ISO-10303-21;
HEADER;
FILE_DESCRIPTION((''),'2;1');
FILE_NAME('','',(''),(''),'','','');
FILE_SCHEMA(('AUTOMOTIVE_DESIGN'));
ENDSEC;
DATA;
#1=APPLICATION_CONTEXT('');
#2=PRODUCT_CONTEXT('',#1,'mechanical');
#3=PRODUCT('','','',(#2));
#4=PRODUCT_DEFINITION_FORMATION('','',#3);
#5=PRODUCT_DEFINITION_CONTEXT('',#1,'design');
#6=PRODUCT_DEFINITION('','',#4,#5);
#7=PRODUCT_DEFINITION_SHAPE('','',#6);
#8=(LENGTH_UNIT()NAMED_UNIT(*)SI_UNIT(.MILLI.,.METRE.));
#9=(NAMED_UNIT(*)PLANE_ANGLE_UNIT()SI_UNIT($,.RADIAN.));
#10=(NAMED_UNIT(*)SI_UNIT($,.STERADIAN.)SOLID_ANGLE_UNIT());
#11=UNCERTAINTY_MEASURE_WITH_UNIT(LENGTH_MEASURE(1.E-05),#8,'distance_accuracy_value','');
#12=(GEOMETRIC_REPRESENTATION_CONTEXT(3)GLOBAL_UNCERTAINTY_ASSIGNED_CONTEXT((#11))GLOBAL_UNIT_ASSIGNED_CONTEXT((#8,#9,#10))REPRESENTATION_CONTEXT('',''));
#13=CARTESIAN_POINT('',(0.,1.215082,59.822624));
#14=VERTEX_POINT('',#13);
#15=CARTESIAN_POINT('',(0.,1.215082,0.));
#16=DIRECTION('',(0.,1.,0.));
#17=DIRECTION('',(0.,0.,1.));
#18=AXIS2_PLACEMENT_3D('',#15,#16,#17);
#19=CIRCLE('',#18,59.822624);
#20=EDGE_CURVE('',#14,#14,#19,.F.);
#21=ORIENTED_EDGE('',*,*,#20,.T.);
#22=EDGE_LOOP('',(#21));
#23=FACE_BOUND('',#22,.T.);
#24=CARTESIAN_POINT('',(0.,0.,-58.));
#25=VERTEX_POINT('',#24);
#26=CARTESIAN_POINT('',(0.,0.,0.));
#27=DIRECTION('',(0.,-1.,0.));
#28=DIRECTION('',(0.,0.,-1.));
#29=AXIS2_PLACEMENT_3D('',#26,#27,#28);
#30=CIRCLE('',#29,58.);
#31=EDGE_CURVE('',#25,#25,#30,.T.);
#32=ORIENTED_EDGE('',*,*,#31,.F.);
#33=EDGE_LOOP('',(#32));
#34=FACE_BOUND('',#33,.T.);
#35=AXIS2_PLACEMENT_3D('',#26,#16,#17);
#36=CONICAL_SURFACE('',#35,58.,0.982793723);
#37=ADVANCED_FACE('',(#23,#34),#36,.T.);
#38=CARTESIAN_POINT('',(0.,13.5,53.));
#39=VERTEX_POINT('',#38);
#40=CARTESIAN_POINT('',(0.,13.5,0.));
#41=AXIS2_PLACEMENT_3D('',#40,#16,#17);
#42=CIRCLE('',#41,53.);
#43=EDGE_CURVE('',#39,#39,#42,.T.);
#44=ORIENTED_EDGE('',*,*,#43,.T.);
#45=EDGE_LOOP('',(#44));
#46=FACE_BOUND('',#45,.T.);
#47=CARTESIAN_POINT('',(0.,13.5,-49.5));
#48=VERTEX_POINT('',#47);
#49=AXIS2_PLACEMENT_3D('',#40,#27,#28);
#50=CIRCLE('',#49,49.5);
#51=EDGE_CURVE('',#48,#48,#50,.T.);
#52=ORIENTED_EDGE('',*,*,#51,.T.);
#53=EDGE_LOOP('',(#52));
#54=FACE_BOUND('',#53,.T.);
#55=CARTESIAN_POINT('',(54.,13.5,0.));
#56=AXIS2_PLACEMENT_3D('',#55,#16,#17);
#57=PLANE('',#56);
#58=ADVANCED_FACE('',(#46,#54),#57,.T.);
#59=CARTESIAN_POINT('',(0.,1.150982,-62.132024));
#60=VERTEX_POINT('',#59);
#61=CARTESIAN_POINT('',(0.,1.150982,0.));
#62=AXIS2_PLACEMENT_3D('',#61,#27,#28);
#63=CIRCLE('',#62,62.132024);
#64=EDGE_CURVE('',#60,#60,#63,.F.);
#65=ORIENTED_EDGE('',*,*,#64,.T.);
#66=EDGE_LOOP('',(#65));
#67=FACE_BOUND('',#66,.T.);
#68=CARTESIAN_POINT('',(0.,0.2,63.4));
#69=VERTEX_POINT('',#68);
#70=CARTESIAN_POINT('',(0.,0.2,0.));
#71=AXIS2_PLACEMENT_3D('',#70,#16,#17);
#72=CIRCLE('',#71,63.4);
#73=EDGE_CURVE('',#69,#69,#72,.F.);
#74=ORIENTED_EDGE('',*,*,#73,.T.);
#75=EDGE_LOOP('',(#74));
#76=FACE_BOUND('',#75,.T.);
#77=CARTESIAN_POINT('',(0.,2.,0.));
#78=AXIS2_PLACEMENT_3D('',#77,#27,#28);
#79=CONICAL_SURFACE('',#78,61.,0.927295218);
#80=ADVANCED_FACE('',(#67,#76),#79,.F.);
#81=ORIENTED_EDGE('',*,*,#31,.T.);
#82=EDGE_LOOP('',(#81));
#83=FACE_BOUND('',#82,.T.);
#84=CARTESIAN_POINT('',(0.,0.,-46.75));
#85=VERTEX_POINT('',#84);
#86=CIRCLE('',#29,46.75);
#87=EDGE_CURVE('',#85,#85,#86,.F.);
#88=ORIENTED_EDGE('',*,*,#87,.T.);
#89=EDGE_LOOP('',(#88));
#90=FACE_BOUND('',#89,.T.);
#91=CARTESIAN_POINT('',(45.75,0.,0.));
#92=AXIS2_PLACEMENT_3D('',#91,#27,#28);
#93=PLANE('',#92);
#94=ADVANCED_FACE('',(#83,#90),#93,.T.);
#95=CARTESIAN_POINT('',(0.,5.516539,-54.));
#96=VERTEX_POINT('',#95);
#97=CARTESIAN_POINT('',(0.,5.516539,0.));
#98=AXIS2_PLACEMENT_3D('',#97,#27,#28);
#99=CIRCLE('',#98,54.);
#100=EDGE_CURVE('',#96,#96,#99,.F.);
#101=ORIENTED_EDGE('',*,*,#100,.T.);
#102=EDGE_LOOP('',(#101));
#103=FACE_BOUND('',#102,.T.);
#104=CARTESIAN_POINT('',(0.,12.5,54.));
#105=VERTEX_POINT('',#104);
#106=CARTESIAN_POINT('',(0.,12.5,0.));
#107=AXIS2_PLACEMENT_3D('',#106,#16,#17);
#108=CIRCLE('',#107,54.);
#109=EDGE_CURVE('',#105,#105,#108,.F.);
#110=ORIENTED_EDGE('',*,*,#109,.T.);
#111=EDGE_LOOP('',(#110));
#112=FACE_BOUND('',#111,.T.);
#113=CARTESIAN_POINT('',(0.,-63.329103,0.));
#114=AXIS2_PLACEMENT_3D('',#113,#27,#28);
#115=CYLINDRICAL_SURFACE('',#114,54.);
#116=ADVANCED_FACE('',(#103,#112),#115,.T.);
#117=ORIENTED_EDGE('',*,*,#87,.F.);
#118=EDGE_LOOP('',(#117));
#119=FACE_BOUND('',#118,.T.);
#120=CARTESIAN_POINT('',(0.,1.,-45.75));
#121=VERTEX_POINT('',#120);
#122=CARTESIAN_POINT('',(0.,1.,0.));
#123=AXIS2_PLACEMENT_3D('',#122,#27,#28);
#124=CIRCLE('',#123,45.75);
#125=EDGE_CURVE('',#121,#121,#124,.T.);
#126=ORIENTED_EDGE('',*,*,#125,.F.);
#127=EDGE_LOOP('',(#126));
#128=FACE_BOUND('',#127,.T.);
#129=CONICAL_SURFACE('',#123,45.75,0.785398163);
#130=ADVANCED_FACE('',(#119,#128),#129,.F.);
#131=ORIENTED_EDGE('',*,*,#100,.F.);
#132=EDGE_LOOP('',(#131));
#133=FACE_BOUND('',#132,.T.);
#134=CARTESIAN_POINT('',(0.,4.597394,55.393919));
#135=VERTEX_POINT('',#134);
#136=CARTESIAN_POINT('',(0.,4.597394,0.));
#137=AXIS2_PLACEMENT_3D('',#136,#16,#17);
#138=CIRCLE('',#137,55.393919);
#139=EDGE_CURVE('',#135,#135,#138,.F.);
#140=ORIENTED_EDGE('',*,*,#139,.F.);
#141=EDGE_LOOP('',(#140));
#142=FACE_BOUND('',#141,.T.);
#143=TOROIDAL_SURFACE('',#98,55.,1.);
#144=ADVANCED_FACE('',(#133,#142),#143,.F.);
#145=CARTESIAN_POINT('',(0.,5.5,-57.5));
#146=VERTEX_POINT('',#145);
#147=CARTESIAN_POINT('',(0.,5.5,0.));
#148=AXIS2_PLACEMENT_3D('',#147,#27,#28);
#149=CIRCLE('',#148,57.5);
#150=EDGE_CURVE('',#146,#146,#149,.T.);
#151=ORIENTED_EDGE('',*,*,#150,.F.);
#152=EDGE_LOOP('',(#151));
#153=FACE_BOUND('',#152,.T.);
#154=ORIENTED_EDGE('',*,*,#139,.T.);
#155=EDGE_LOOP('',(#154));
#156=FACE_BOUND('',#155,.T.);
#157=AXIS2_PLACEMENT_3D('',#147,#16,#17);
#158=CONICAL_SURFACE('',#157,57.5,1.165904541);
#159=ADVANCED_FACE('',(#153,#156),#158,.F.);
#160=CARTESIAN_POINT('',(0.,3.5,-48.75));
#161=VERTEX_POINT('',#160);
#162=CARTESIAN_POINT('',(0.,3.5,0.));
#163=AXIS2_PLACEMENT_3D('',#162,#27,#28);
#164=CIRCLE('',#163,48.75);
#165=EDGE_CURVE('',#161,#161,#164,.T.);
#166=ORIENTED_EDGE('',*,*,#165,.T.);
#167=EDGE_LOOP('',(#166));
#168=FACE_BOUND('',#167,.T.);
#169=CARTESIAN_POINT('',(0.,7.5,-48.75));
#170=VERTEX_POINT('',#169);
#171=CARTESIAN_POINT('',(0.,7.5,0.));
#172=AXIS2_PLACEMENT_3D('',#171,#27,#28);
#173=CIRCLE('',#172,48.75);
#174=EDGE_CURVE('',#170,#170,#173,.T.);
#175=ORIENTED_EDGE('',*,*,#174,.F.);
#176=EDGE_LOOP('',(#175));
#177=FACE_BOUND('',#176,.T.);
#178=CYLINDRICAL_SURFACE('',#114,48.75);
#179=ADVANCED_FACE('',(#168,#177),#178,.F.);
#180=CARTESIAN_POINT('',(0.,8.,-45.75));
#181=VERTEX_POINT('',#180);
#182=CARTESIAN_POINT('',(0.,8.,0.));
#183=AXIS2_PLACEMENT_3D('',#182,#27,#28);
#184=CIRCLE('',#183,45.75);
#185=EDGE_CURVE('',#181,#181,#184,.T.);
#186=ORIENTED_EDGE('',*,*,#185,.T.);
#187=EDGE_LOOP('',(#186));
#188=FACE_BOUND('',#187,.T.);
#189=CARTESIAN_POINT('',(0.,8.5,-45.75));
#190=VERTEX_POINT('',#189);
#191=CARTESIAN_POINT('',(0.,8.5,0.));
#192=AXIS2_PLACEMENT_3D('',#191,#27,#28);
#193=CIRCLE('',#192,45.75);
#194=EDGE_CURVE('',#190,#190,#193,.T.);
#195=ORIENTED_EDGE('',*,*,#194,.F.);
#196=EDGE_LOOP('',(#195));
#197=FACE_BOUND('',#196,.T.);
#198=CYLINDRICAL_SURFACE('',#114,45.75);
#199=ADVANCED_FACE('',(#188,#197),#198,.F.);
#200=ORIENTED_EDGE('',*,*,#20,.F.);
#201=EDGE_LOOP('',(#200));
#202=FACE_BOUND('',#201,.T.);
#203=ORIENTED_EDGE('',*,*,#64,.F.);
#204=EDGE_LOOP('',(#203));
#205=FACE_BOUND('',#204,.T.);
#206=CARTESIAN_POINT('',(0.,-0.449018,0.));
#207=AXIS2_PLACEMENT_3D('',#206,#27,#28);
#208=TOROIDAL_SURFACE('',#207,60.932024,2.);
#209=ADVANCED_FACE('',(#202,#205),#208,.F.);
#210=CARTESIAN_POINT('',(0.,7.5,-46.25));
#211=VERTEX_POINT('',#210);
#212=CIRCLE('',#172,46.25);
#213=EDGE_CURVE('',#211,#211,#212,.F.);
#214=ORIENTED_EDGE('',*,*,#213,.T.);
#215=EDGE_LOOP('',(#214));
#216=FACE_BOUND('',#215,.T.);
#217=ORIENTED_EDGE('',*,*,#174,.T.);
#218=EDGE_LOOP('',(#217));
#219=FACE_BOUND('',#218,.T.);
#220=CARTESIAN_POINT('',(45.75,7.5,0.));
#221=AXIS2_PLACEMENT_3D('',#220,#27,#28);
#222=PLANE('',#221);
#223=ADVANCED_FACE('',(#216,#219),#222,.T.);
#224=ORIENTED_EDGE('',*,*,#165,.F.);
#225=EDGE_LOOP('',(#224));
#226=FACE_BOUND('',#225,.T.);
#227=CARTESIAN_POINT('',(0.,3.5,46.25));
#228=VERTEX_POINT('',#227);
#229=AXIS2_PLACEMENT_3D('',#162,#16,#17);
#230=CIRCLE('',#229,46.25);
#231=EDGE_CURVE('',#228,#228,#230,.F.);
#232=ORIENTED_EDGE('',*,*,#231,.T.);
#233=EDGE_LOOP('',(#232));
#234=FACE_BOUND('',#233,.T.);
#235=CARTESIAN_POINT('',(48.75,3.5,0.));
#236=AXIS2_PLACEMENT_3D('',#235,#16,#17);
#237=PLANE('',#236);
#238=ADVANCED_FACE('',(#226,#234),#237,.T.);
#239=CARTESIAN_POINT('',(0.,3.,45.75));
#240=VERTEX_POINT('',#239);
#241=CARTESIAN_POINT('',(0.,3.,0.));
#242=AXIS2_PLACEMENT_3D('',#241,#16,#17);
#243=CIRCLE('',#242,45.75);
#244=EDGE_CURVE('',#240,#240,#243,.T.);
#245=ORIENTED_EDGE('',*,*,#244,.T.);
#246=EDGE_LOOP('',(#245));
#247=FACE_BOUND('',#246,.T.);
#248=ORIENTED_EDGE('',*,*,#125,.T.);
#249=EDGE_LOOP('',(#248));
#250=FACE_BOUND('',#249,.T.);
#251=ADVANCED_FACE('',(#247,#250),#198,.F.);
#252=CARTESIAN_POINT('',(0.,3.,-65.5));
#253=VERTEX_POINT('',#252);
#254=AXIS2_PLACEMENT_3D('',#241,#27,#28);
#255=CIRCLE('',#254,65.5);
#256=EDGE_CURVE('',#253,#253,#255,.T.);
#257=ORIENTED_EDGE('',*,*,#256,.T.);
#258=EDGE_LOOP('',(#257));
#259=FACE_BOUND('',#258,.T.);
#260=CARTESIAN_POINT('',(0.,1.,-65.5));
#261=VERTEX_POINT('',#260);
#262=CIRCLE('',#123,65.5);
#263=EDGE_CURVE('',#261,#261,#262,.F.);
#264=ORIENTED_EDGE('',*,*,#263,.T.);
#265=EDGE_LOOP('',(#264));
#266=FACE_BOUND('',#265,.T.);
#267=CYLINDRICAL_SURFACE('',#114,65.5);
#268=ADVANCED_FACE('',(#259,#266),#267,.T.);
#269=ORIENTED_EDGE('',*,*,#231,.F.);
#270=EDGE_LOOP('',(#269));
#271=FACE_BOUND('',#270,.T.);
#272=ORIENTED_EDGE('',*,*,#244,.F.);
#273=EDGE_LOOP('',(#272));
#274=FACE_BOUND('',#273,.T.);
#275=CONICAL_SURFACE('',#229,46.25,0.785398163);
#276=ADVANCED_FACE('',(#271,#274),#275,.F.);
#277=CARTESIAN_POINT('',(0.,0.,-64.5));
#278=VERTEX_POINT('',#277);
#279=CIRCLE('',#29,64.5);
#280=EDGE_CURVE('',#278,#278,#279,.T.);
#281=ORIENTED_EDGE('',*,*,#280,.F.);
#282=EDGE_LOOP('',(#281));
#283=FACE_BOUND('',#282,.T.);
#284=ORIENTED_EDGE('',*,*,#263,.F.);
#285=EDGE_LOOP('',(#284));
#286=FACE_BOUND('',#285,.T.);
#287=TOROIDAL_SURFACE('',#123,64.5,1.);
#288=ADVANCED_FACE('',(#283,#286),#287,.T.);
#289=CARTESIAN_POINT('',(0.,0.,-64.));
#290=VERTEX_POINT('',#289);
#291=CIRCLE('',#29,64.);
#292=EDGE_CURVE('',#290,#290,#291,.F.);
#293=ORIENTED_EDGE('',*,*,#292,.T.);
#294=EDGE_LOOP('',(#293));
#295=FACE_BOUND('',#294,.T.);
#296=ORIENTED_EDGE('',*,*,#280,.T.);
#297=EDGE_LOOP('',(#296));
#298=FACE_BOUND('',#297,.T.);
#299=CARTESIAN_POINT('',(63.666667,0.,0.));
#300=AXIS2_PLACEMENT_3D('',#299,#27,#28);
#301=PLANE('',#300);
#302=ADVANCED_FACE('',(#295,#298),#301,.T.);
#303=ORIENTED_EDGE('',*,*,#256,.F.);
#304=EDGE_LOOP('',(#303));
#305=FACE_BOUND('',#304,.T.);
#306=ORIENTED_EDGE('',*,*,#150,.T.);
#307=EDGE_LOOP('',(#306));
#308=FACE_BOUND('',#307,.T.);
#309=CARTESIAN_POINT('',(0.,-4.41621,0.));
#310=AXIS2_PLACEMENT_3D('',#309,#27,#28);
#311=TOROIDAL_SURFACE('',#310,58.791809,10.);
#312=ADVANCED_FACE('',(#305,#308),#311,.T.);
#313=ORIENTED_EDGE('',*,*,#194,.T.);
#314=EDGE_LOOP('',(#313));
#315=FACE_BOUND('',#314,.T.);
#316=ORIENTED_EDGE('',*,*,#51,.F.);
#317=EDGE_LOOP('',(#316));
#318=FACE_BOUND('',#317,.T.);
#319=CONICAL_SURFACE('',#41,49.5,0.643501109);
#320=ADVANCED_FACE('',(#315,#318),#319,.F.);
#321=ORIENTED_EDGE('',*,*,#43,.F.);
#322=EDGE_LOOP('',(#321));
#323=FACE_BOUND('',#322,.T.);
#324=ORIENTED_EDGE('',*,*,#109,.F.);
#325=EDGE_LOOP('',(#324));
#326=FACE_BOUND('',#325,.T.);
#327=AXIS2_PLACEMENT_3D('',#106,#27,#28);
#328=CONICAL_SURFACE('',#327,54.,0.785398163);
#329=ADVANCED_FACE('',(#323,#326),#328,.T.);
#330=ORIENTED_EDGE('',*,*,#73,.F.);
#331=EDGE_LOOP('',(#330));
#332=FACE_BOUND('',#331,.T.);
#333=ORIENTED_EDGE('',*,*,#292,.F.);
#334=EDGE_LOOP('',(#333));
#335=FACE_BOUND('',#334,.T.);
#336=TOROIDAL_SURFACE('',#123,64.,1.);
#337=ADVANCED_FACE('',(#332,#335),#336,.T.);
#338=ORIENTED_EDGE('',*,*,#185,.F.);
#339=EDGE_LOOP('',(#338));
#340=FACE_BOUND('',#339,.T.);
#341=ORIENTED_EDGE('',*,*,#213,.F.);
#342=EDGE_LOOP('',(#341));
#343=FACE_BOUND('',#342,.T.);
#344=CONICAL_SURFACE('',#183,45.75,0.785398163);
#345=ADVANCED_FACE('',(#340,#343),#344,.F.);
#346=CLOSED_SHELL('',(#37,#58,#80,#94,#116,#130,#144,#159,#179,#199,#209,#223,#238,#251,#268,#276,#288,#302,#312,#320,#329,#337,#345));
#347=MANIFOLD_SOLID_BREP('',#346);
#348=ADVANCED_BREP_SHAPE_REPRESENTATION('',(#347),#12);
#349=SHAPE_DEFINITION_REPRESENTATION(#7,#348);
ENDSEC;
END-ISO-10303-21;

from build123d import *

# Parameters (mm, degrees)
FILETE1_R     = 2
FILETE2_R     = 1
FILETE3_R     = 1
CHANFRO1_SIZE = 1
CHANFRO2_SIZE = 0.5
CHANFRO3_SIZE = 1
FILETE4_R     = 1


with BuildPart() as part:
    # Esboço1 → Revolução1 (revolve)
    with BuildSketch(Plane.XY, mode=Mode.PRIVATE) as revolu_o1_sk:
        with BuildLine():
            Line((58, 0), (61, 2))
            Line((61, 2), (63.666666667, 0))
            Line((63.666666667, 0), (65.5, 0))
            Line((65.5, 0), (65.5, 3))
            ThreePointArc((65.5, 3), (61.774559179, 5.128589372), (57.5, 5.5))
            Line((57.5, 5.5), (54, 4))
            Line((54, 4), (54, 13.5))
            Line((54, 13.5), (49.5, 13.5))
            Line((49.5, 13.5), (45.75, 8.5))
            Line((45.75, 8.5), (45.75, 7.5))
            Line((45.75, 7.5), (48.75, 7.5))
            Line((48.75, 7.5), (48.75, 3.5))
            Line((48.75, 3.5), (45.75, 3.5))
            Line((45.75, 3.5), (45.75, 0))
            Line((45.75, 0), (58, 0))
        make_face()
    revolve(revolu_o1_sk.sketch.rotate(Axis((0, -63.329102972, 0), (0, 1, 0)), 90), axis=Axis((0, -63.329102972, 0), (0, 1, 0)))

    # Filete1
    filete1_edges = [part.edges().sort_by_distance(p)[0] for p in [
        (0, 2, 61),
    ]]
    fillet(filete1_edges, radius=FILETE1_R)

    # Filete2
    filete2_edges = [part.edges().sort_by_distance(p)[0] for p in [
        (0, 0, 63.666666667),
    ]]
    fillet(filete2_edges, radius=FILETE2_R)

    # Filete3
    filete3_edges = [part.edges().sort_by_distance(p)[0] for p in [
        (0, 0, 65.5),
    ]]
    fillet(filete3_edges, radius=FILETE3_R)

    # Chanfro1
    chanfro1_edges = [part.edges().sort_by_distance(p)[0] for p in [
        (0, 0, 45.75),
    ]]
    chamfer(chanfro1_edges, length=CHANFRO1_SIZE)

    # Chanfro2
    chanfro2_edges = [part.edges().sort_by_distance(p)[0] for p in [
        (0, 7.5, 45.75),
        (0, 3.5, 45.75),
    ]]
    chamfer(chanfro2_edges, length=CHANFRO2_SIZE)

    # Chanfro3
    chanfro3_edges = [part.edges().sort_by_distance(p)[0] for p in [
        (0, 13.5, 54),
    ]]
    chamfer(chanfro3_edges, length=CHANFRO3_SIZE)

    # Filete4
    filete4_edges = [part.edges().sort_by_distance(p)[0] for p in [
        (0, 4, 54),
    ]]
    fillet(filete4_edges, radius=FILETE4_R)


solid = part.part
